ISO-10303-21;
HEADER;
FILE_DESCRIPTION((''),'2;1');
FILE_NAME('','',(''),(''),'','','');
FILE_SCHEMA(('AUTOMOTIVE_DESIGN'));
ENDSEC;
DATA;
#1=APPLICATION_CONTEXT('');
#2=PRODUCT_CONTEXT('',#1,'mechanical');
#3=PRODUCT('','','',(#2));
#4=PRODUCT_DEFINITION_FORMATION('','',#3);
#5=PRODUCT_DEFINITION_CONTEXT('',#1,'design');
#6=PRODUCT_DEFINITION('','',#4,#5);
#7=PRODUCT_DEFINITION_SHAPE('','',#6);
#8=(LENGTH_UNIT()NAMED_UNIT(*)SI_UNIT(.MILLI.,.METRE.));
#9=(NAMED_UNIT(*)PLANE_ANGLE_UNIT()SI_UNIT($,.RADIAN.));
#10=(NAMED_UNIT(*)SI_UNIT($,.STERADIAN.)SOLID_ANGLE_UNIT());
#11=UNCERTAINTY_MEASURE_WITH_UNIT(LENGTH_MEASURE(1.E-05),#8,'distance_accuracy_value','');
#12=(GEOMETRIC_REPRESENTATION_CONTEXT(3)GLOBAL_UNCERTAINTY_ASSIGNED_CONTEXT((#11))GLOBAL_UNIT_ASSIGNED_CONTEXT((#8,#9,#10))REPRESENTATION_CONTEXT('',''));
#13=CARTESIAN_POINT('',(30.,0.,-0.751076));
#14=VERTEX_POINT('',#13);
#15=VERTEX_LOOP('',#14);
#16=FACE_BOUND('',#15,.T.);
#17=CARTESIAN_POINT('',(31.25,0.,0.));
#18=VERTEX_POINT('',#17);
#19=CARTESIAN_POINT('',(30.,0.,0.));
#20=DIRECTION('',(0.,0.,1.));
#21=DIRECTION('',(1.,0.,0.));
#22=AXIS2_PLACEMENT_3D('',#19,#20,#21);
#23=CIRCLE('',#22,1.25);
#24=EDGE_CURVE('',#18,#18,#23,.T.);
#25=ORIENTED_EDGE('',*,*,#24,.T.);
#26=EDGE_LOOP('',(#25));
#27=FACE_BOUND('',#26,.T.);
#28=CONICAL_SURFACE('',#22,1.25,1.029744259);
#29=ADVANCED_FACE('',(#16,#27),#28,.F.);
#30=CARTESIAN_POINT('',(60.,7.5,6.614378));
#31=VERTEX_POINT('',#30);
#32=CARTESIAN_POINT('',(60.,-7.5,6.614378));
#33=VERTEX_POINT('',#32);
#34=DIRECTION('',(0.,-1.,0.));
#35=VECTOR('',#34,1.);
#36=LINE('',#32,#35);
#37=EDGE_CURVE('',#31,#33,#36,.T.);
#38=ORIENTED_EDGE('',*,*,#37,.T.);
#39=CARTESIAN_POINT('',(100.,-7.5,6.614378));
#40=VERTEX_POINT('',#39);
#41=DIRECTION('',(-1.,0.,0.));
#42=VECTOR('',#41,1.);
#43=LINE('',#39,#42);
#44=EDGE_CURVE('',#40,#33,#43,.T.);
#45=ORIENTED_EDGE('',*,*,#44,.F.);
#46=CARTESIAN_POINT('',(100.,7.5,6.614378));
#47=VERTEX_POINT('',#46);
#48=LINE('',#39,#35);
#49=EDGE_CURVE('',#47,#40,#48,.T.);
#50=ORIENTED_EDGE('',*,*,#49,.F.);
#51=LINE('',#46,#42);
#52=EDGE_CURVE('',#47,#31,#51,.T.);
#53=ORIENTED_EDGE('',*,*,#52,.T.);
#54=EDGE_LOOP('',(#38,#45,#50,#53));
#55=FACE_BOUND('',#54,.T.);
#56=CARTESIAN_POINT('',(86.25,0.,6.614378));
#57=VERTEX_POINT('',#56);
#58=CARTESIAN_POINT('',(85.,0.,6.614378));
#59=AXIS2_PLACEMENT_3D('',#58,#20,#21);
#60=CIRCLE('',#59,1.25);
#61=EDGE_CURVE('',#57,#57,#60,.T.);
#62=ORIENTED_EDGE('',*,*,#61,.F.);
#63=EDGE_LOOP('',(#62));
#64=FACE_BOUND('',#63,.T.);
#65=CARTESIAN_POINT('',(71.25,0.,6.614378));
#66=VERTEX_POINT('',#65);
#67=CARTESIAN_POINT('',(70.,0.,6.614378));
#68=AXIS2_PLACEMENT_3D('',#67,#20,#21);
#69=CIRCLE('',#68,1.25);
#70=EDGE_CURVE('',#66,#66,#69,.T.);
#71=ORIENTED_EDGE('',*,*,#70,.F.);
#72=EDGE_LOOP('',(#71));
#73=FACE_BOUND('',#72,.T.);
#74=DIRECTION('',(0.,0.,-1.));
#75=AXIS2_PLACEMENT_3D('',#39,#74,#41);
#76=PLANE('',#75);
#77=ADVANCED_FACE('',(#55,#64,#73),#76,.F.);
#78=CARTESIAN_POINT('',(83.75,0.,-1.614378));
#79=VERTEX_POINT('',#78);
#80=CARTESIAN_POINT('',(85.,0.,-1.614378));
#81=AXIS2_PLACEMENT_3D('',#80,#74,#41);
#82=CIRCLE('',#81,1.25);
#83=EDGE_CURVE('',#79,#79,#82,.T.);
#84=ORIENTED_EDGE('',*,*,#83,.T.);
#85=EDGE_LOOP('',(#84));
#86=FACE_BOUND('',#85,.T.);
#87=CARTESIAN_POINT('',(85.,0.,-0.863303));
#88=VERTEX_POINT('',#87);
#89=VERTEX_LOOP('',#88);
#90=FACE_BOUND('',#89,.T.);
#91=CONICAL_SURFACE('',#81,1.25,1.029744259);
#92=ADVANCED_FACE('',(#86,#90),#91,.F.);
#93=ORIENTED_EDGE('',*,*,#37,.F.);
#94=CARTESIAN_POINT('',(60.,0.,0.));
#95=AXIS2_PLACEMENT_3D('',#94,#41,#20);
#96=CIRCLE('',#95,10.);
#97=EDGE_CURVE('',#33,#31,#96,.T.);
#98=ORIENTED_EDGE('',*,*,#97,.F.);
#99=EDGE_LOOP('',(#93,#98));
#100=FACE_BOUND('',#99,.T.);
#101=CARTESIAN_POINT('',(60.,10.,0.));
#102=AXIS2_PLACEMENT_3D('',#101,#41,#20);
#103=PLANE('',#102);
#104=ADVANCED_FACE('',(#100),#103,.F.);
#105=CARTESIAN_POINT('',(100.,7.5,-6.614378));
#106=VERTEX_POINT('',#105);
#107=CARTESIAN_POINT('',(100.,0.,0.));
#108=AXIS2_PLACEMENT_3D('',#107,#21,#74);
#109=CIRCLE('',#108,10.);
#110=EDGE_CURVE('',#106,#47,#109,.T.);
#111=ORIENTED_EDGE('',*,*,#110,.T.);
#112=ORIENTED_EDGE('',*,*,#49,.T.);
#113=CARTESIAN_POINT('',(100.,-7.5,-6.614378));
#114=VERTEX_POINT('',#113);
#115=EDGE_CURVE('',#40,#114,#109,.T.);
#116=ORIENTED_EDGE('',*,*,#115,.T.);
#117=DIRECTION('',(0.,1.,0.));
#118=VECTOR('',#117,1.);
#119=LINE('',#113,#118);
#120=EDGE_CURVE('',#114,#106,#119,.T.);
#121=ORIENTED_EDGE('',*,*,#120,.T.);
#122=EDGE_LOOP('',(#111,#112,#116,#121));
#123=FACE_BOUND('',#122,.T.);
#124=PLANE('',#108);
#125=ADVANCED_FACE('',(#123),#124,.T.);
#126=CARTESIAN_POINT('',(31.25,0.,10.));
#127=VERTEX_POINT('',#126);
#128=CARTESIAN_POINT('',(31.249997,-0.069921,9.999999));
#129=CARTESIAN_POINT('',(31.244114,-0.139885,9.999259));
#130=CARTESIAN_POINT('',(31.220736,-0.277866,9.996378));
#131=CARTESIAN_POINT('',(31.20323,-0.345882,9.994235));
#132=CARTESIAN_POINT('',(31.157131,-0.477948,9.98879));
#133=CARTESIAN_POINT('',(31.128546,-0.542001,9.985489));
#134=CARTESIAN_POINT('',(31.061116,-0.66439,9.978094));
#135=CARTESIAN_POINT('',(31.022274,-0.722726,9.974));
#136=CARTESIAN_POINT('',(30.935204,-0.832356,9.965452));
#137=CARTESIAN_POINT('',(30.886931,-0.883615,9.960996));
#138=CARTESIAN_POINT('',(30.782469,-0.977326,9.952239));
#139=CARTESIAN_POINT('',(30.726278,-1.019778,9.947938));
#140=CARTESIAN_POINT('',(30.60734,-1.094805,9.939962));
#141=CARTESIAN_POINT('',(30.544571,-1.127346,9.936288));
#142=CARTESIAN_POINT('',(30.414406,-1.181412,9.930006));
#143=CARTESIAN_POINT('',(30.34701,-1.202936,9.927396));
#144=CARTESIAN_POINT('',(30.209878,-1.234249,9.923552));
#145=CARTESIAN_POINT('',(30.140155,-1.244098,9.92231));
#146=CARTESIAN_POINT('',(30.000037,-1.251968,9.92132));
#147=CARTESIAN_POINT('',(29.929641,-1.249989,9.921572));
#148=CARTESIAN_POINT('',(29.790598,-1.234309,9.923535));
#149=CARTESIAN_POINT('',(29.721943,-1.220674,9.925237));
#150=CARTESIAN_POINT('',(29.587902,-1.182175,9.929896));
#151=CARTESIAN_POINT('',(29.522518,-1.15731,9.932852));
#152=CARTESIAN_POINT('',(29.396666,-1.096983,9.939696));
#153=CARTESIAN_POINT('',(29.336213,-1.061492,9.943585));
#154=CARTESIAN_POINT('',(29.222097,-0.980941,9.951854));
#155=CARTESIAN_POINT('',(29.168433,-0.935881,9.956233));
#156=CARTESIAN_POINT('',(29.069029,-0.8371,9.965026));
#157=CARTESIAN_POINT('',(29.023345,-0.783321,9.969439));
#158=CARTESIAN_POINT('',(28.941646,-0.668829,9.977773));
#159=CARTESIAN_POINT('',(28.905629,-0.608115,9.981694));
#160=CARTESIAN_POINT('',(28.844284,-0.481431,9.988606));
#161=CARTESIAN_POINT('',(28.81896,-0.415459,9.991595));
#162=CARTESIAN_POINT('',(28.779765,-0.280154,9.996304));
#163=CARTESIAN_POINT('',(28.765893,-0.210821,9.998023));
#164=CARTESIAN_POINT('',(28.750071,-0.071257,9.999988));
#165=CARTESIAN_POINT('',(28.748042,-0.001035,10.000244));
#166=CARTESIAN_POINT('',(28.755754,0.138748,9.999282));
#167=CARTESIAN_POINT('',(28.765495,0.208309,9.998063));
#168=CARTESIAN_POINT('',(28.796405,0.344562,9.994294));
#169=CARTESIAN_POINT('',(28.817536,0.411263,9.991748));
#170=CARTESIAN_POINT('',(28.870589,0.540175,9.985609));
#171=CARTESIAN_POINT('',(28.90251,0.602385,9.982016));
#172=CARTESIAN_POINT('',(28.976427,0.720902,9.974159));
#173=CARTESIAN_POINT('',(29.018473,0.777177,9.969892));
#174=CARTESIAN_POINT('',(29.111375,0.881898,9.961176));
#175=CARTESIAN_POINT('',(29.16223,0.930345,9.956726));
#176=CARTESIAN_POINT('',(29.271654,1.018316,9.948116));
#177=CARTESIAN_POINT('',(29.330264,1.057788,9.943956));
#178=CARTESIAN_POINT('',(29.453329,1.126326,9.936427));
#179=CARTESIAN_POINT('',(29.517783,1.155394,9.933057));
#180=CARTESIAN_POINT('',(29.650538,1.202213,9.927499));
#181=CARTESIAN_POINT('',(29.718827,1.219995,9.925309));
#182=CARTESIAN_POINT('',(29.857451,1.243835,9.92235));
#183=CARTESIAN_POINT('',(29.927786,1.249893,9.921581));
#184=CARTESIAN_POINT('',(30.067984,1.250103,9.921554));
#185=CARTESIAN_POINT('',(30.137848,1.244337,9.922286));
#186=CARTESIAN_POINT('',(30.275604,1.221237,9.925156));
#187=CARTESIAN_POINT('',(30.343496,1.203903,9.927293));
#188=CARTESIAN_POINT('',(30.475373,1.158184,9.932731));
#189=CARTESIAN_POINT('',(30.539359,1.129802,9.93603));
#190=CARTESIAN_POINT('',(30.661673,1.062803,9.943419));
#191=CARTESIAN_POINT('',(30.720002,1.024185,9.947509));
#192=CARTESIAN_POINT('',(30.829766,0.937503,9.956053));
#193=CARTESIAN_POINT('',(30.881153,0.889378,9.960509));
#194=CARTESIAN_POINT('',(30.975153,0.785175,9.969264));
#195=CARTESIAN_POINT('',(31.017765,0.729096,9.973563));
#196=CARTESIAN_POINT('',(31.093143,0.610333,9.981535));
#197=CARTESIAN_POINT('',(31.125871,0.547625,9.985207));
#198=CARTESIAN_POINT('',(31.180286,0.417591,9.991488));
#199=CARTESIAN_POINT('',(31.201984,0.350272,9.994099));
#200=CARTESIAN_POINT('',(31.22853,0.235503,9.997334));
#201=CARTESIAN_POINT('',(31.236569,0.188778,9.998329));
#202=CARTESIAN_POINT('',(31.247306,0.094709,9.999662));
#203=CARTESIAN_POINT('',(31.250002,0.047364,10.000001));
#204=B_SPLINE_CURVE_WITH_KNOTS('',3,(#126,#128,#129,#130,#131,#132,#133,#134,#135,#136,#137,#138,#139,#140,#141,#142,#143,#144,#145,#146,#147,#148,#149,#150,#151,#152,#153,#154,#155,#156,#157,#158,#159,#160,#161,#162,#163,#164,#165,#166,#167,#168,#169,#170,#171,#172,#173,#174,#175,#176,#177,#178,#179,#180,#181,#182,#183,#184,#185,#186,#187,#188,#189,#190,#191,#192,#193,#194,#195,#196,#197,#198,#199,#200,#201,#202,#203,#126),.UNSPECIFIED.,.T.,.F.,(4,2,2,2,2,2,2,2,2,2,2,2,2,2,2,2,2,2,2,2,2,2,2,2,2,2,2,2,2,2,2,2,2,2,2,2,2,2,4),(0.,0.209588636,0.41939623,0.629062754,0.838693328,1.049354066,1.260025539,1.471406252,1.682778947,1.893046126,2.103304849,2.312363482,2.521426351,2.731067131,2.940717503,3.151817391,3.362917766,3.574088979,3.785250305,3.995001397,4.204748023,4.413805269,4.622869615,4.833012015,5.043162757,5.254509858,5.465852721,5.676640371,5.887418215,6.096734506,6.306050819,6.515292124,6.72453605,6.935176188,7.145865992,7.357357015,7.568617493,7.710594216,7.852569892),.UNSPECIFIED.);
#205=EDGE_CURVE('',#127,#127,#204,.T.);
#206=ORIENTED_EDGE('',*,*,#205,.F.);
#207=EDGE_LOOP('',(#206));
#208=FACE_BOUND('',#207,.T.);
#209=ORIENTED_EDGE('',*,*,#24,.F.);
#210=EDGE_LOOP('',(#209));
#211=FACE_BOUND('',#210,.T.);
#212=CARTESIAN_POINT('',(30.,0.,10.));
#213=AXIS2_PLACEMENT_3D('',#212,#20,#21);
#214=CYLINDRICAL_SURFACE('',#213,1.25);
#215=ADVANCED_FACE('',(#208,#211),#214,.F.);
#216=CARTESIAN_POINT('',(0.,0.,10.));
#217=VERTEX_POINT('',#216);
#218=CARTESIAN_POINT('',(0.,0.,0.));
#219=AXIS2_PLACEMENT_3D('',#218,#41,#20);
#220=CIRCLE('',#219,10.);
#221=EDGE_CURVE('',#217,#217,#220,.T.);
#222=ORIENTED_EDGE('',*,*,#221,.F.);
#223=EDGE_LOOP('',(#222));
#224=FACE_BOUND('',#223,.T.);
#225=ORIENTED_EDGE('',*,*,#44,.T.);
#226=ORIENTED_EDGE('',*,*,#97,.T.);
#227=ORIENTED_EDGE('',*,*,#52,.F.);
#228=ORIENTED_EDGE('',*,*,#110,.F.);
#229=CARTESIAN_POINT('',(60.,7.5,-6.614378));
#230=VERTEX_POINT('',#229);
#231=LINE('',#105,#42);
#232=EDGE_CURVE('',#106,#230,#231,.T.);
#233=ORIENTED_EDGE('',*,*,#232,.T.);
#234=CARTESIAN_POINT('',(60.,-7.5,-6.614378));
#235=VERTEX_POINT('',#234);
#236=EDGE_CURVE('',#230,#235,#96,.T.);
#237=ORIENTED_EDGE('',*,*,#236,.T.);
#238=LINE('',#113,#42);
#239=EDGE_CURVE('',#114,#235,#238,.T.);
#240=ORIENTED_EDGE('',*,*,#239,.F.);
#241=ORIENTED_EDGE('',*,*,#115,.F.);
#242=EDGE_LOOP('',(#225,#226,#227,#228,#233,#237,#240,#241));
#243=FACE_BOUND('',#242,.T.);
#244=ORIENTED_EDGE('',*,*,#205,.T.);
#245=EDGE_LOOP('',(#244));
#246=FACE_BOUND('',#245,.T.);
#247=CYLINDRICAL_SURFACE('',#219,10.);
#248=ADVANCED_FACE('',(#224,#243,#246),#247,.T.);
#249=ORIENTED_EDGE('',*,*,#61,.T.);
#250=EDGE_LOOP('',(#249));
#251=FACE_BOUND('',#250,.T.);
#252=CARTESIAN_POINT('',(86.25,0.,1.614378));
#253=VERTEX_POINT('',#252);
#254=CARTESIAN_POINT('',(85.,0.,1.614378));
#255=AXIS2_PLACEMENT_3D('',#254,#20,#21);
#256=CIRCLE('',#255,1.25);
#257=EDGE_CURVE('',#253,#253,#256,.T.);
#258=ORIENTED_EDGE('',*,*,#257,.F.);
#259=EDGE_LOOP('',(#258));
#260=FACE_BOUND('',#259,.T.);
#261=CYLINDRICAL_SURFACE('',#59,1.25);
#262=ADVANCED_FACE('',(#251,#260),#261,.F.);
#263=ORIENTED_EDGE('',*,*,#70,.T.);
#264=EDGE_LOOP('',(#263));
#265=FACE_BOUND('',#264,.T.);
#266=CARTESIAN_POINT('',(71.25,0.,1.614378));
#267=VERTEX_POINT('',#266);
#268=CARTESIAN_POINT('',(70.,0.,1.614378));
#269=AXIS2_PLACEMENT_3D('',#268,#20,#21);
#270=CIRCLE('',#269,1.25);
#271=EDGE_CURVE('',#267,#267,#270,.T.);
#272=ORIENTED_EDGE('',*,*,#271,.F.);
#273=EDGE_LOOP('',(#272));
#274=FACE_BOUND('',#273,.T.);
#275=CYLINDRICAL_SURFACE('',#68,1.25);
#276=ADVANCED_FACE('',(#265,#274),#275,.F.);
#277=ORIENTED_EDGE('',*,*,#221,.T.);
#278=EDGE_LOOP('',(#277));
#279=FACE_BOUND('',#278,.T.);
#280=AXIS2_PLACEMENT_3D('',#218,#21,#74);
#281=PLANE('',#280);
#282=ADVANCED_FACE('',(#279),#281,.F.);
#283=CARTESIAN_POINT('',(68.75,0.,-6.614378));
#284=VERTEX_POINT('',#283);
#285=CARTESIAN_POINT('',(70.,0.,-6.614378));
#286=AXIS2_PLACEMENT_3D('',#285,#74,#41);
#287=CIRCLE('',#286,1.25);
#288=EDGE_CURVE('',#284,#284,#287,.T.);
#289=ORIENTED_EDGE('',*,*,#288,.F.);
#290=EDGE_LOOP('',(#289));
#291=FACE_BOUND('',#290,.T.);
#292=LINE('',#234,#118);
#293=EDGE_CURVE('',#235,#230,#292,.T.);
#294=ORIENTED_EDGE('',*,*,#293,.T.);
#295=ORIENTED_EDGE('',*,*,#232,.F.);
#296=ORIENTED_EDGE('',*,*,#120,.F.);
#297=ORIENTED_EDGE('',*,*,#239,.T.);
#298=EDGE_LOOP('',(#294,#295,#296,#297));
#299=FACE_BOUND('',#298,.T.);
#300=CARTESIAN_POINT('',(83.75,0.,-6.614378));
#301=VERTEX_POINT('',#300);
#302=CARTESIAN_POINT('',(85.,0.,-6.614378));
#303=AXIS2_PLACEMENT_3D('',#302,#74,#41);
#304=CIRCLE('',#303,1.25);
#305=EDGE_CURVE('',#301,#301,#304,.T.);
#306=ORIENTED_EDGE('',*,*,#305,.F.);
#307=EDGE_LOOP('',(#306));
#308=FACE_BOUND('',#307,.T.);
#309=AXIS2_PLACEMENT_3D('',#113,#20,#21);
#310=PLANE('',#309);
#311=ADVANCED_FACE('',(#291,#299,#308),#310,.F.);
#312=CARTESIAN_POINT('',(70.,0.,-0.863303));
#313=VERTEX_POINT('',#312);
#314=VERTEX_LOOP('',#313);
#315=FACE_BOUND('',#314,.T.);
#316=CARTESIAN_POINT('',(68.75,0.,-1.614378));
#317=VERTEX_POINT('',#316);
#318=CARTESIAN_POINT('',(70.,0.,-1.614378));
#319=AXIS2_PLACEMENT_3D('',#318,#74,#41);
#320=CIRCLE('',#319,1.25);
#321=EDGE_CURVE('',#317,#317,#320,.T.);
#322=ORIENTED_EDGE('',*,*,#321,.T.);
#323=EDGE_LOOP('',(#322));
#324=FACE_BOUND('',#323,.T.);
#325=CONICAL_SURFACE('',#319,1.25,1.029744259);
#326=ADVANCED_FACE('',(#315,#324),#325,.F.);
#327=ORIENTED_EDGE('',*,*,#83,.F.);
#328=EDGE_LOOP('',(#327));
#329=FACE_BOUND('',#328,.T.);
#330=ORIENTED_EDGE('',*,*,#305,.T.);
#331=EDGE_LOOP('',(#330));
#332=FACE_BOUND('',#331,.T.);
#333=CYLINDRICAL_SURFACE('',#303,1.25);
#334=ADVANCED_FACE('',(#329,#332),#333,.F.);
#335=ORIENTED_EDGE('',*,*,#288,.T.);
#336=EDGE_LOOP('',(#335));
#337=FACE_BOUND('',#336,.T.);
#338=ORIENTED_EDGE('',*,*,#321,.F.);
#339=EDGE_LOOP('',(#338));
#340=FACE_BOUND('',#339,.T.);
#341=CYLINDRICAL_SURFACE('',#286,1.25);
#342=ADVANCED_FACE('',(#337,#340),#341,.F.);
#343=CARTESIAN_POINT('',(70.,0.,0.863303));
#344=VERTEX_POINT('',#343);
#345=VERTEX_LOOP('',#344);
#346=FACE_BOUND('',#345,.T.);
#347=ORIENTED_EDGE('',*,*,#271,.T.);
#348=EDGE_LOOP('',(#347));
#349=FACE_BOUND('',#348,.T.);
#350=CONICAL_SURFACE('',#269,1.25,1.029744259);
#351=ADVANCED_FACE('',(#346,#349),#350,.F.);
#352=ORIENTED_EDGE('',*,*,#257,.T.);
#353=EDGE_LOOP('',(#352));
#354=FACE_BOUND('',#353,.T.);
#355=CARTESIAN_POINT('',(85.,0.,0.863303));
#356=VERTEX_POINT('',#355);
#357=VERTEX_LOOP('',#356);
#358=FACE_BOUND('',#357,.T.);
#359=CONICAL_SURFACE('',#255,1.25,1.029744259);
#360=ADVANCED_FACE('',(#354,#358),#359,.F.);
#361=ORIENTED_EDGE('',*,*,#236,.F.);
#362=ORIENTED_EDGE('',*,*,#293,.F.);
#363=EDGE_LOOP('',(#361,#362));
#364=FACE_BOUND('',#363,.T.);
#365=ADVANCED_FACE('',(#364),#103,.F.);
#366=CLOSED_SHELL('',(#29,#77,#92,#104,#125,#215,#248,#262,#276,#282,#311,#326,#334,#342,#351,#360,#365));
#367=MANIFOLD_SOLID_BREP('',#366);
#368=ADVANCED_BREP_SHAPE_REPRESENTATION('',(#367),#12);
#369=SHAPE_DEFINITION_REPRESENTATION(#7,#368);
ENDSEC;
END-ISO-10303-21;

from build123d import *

# Parameters (mm, degrees)
SKETCH1_W                           = 60
SKETCH1_H                           = 10
BOSS_EXTRUDE1_DEPTH                 = 40
M3X0_5_TAPPED_HOLE3_D               = 2.5
M3X0_5_TAPPED_HOLE3_DEPTH           = 10
M3X0_5_TAPPED_HOLE3_TIP             = 0.751075774
M3X0_5_TAPPED_HOLE2_D               = 2.5
M3X0_5_TAPPED_HOLE2_DEPTH           = 5
M3X0_5_TAPPED_HOLE2_TIP             = 0.751075774
M3X0_5_TAPPED_HOLE2_ON_FACE_2_D     = 2.5
M3X0_5_TAPPED_HOLE2_ON_FACE_2_DEPTH = 5
M3X0_5_TAPPED_HOLE2_ON_FACE_2_TIP   = 0.751075774


with BuildPart() as part:
    # Sketch1 → Revolve1 (revolve)
    with BuildSketch(Plane.XY):
        with Locations((30, 5)):
            Rectangle(SKETCH1_W, SKETCH1_H)
    revolve(axis=Axis((0, 0, 0), (1, 0, 0)))

    # Sketch3 → Boss-Extrude1 (add)
    with BuildSketch(Plane(origin=(60, 0, 0), x_dir=(0, 0, -1), z_dir=(1, 0, 0))):
        with BuildLine():
            Line((-6.614378278, -7.5), (-6.614378278, 7.5))
            ThreePointArc((-6.614378278, 7.5), (0, 10), (6.614378278, 7.5))
            Line((6.614378278, 7.5), (6.614378278, -7.5))
            ThreePointArc((6.614378278, -7.5), (0, -10), (-6.614378278, -7.5))
        make_face()
    extrude(amount=BOSS_EXTRUDE1_DEPTH)

    # M3x0.5 Tapped Hole3
    with Locations(Plane.XY.offset(10)):
        with Locations((30, 0)):
            Hole(M3X0_5_TAPPED_HOLE3_D / 2, depth=M3X0_5_TAPPED_HOLE3_DEPTH)
            with Locations((0, 0, -(M3X0_5_TAPPED_HOLE3_DEPTH + M3X0_5_TAPPED_HOLE3_TIP / 2))):  # 118° drill point
                Cone(0, M3X0_5_TAPPED_HOLE3_D / 2, M3X0_5_TAPPED_HOLE3_TIP, mode=Mode.SUBTRACT)

    # M3x0.5 Tapped Hole2
    with Locations(Plane(origin=(70, 0, 6.614378278), x_dir=(1, 0, 0), z_dir=(0, 0, 1))):
        with Locations((0, 0), (15, 0)):
            Hole(M3X0_5_TAPPED_HOLE2_D / 2, depth=M3X0_5_TAPPED_HOLE2_DEPTH)
            with Locations((0, 0, -(M3X0_5_TAPPED_HOLE2_DEPTH + M3X0_5_TAPPED_HOLE2_TIP / 2))):  # 118° drill point
                Cone(0, M3X0_5_TAPPED_HOLE2_D / 2, M3X0_5_TAPPED_HOLE2_TIP, mode=Mode.SUBTRACT)

    # M3x0.5 Tapped Hole2 on face 2
    with Locations(Plane(origin=(85, 0, -6.614378278), x_dir=(-1, 0, 0), z_dir=(0, 0, -1))):
        with Locations((0, 0), (15, 0)):
            Hole(M3X0_5_TAPPED_HOLE2_ON_FACE_2_D / 2, depth=M3X0_5_TAPPED_HOLE2_ON_FACE_2_DEPTH)
            with Locations((0, 0, -(M3X0_5_TAPPED_HOLE2_ON_FACE_2_DEPTH + M3X0_5_TAPPED_HOLE2_ON_FACE_2_TIP / 2))):  # 118° drill point
                Cone(0, M3X0_5_TAPPED_HOLE2_ON_FACE_2_D / 2, M3X0_5_TAPPED_HOLE2_ON_FACE_2_TIP, mode=Mode.SUBTRACT)


solid = part.part
